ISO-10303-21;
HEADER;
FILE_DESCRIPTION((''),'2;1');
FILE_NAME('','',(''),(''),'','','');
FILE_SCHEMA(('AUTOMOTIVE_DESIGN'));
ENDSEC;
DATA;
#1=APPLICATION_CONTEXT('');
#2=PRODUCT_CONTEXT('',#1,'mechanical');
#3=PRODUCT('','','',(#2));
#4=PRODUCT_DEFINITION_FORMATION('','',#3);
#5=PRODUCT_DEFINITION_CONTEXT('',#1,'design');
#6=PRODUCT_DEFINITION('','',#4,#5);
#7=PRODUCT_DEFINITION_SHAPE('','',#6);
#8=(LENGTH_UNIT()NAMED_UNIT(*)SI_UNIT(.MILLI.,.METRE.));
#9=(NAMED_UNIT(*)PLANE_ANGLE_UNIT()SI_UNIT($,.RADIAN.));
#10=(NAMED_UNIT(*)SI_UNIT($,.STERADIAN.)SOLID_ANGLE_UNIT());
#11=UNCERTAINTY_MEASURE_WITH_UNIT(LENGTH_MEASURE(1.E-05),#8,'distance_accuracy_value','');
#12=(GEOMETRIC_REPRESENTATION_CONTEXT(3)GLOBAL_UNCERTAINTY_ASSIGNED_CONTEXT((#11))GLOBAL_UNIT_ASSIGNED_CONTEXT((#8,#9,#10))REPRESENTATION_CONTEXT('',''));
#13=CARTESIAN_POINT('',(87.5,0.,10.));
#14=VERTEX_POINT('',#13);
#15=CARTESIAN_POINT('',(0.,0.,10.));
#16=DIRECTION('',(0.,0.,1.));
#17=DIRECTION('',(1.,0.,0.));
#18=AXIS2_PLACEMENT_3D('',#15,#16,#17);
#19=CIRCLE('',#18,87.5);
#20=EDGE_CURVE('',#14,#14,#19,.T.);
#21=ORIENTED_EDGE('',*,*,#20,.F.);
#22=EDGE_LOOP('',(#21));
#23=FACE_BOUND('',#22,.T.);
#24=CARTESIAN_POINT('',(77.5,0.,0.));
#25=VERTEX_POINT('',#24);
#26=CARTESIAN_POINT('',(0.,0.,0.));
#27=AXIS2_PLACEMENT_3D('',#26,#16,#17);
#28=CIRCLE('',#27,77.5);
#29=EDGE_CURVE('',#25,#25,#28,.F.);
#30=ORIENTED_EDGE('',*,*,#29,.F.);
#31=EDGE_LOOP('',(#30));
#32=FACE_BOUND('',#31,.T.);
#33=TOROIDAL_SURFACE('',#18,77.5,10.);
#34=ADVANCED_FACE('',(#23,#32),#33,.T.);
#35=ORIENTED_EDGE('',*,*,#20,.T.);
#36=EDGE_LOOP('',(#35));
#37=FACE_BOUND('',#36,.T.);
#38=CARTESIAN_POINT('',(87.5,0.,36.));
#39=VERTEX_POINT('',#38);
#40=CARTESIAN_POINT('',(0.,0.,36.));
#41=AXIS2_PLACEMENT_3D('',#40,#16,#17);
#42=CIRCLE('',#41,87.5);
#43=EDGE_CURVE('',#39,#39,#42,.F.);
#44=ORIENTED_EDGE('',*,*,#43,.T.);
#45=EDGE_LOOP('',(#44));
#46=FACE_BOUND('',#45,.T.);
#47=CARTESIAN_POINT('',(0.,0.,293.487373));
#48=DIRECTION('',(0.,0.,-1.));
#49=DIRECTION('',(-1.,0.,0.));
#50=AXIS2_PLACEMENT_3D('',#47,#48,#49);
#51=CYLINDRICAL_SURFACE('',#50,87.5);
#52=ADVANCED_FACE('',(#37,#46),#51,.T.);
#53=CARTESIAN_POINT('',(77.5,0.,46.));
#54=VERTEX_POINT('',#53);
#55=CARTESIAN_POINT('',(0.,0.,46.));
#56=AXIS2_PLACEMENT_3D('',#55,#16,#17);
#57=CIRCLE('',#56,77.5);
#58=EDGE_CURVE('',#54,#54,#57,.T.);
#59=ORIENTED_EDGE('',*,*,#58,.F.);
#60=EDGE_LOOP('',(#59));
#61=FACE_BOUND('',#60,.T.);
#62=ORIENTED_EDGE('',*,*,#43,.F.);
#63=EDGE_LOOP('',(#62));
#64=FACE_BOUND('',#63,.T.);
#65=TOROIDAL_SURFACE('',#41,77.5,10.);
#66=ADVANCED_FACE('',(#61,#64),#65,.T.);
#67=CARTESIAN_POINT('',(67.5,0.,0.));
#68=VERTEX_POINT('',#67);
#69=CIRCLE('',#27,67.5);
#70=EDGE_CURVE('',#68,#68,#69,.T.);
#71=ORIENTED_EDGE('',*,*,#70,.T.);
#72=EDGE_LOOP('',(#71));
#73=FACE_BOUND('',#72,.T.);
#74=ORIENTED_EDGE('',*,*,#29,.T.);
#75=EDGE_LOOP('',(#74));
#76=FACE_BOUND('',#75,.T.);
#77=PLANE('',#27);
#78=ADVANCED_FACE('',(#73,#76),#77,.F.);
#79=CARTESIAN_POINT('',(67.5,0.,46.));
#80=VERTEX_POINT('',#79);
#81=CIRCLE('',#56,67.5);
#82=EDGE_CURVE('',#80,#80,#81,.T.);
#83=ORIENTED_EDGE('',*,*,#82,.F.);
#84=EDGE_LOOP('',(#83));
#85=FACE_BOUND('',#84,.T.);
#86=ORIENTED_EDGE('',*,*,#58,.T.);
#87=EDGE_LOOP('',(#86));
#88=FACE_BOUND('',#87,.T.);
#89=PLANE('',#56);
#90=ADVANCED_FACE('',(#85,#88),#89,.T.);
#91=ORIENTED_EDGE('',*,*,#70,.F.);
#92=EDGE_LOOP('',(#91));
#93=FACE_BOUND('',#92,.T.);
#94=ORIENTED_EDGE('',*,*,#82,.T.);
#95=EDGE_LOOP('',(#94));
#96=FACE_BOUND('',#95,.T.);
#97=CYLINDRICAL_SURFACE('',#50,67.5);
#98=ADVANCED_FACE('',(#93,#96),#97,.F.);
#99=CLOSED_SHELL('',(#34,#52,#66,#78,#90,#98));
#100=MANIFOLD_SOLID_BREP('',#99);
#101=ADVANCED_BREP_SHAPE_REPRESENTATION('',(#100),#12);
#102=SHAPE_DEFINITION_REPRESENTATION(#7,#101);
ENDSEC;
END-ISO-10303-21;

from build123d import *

# Parameters (mm, degrees)
SKETCH1_R           = 87.5
SKETCH1_R_2         = 67.5
BOSS_EXTRUDE1_DEPTH = 46
FILLET1_R           = 10


with BuildPart() as part:
    # Sketch1 → Boss-Extrude1 (new body)
    with BuildSketch(Plane.XY):
        Circle(SKETCH1_R)
        Circle(SKETCH1_R_2, mode=Mode.SUBTRACT)
    extrude(amount=BOSS_EXTRUDE1_DEPTH)

    # Fillet1
    fillet1_edges = [part.edges().sort_by_distance(p)[0] for p in [
        (-87.5, 0, 46),
        (-87.5, 0, 0),
    ]]
    fillet(fillet1_edges, radius=FILLET1_R)


solid = part.part
